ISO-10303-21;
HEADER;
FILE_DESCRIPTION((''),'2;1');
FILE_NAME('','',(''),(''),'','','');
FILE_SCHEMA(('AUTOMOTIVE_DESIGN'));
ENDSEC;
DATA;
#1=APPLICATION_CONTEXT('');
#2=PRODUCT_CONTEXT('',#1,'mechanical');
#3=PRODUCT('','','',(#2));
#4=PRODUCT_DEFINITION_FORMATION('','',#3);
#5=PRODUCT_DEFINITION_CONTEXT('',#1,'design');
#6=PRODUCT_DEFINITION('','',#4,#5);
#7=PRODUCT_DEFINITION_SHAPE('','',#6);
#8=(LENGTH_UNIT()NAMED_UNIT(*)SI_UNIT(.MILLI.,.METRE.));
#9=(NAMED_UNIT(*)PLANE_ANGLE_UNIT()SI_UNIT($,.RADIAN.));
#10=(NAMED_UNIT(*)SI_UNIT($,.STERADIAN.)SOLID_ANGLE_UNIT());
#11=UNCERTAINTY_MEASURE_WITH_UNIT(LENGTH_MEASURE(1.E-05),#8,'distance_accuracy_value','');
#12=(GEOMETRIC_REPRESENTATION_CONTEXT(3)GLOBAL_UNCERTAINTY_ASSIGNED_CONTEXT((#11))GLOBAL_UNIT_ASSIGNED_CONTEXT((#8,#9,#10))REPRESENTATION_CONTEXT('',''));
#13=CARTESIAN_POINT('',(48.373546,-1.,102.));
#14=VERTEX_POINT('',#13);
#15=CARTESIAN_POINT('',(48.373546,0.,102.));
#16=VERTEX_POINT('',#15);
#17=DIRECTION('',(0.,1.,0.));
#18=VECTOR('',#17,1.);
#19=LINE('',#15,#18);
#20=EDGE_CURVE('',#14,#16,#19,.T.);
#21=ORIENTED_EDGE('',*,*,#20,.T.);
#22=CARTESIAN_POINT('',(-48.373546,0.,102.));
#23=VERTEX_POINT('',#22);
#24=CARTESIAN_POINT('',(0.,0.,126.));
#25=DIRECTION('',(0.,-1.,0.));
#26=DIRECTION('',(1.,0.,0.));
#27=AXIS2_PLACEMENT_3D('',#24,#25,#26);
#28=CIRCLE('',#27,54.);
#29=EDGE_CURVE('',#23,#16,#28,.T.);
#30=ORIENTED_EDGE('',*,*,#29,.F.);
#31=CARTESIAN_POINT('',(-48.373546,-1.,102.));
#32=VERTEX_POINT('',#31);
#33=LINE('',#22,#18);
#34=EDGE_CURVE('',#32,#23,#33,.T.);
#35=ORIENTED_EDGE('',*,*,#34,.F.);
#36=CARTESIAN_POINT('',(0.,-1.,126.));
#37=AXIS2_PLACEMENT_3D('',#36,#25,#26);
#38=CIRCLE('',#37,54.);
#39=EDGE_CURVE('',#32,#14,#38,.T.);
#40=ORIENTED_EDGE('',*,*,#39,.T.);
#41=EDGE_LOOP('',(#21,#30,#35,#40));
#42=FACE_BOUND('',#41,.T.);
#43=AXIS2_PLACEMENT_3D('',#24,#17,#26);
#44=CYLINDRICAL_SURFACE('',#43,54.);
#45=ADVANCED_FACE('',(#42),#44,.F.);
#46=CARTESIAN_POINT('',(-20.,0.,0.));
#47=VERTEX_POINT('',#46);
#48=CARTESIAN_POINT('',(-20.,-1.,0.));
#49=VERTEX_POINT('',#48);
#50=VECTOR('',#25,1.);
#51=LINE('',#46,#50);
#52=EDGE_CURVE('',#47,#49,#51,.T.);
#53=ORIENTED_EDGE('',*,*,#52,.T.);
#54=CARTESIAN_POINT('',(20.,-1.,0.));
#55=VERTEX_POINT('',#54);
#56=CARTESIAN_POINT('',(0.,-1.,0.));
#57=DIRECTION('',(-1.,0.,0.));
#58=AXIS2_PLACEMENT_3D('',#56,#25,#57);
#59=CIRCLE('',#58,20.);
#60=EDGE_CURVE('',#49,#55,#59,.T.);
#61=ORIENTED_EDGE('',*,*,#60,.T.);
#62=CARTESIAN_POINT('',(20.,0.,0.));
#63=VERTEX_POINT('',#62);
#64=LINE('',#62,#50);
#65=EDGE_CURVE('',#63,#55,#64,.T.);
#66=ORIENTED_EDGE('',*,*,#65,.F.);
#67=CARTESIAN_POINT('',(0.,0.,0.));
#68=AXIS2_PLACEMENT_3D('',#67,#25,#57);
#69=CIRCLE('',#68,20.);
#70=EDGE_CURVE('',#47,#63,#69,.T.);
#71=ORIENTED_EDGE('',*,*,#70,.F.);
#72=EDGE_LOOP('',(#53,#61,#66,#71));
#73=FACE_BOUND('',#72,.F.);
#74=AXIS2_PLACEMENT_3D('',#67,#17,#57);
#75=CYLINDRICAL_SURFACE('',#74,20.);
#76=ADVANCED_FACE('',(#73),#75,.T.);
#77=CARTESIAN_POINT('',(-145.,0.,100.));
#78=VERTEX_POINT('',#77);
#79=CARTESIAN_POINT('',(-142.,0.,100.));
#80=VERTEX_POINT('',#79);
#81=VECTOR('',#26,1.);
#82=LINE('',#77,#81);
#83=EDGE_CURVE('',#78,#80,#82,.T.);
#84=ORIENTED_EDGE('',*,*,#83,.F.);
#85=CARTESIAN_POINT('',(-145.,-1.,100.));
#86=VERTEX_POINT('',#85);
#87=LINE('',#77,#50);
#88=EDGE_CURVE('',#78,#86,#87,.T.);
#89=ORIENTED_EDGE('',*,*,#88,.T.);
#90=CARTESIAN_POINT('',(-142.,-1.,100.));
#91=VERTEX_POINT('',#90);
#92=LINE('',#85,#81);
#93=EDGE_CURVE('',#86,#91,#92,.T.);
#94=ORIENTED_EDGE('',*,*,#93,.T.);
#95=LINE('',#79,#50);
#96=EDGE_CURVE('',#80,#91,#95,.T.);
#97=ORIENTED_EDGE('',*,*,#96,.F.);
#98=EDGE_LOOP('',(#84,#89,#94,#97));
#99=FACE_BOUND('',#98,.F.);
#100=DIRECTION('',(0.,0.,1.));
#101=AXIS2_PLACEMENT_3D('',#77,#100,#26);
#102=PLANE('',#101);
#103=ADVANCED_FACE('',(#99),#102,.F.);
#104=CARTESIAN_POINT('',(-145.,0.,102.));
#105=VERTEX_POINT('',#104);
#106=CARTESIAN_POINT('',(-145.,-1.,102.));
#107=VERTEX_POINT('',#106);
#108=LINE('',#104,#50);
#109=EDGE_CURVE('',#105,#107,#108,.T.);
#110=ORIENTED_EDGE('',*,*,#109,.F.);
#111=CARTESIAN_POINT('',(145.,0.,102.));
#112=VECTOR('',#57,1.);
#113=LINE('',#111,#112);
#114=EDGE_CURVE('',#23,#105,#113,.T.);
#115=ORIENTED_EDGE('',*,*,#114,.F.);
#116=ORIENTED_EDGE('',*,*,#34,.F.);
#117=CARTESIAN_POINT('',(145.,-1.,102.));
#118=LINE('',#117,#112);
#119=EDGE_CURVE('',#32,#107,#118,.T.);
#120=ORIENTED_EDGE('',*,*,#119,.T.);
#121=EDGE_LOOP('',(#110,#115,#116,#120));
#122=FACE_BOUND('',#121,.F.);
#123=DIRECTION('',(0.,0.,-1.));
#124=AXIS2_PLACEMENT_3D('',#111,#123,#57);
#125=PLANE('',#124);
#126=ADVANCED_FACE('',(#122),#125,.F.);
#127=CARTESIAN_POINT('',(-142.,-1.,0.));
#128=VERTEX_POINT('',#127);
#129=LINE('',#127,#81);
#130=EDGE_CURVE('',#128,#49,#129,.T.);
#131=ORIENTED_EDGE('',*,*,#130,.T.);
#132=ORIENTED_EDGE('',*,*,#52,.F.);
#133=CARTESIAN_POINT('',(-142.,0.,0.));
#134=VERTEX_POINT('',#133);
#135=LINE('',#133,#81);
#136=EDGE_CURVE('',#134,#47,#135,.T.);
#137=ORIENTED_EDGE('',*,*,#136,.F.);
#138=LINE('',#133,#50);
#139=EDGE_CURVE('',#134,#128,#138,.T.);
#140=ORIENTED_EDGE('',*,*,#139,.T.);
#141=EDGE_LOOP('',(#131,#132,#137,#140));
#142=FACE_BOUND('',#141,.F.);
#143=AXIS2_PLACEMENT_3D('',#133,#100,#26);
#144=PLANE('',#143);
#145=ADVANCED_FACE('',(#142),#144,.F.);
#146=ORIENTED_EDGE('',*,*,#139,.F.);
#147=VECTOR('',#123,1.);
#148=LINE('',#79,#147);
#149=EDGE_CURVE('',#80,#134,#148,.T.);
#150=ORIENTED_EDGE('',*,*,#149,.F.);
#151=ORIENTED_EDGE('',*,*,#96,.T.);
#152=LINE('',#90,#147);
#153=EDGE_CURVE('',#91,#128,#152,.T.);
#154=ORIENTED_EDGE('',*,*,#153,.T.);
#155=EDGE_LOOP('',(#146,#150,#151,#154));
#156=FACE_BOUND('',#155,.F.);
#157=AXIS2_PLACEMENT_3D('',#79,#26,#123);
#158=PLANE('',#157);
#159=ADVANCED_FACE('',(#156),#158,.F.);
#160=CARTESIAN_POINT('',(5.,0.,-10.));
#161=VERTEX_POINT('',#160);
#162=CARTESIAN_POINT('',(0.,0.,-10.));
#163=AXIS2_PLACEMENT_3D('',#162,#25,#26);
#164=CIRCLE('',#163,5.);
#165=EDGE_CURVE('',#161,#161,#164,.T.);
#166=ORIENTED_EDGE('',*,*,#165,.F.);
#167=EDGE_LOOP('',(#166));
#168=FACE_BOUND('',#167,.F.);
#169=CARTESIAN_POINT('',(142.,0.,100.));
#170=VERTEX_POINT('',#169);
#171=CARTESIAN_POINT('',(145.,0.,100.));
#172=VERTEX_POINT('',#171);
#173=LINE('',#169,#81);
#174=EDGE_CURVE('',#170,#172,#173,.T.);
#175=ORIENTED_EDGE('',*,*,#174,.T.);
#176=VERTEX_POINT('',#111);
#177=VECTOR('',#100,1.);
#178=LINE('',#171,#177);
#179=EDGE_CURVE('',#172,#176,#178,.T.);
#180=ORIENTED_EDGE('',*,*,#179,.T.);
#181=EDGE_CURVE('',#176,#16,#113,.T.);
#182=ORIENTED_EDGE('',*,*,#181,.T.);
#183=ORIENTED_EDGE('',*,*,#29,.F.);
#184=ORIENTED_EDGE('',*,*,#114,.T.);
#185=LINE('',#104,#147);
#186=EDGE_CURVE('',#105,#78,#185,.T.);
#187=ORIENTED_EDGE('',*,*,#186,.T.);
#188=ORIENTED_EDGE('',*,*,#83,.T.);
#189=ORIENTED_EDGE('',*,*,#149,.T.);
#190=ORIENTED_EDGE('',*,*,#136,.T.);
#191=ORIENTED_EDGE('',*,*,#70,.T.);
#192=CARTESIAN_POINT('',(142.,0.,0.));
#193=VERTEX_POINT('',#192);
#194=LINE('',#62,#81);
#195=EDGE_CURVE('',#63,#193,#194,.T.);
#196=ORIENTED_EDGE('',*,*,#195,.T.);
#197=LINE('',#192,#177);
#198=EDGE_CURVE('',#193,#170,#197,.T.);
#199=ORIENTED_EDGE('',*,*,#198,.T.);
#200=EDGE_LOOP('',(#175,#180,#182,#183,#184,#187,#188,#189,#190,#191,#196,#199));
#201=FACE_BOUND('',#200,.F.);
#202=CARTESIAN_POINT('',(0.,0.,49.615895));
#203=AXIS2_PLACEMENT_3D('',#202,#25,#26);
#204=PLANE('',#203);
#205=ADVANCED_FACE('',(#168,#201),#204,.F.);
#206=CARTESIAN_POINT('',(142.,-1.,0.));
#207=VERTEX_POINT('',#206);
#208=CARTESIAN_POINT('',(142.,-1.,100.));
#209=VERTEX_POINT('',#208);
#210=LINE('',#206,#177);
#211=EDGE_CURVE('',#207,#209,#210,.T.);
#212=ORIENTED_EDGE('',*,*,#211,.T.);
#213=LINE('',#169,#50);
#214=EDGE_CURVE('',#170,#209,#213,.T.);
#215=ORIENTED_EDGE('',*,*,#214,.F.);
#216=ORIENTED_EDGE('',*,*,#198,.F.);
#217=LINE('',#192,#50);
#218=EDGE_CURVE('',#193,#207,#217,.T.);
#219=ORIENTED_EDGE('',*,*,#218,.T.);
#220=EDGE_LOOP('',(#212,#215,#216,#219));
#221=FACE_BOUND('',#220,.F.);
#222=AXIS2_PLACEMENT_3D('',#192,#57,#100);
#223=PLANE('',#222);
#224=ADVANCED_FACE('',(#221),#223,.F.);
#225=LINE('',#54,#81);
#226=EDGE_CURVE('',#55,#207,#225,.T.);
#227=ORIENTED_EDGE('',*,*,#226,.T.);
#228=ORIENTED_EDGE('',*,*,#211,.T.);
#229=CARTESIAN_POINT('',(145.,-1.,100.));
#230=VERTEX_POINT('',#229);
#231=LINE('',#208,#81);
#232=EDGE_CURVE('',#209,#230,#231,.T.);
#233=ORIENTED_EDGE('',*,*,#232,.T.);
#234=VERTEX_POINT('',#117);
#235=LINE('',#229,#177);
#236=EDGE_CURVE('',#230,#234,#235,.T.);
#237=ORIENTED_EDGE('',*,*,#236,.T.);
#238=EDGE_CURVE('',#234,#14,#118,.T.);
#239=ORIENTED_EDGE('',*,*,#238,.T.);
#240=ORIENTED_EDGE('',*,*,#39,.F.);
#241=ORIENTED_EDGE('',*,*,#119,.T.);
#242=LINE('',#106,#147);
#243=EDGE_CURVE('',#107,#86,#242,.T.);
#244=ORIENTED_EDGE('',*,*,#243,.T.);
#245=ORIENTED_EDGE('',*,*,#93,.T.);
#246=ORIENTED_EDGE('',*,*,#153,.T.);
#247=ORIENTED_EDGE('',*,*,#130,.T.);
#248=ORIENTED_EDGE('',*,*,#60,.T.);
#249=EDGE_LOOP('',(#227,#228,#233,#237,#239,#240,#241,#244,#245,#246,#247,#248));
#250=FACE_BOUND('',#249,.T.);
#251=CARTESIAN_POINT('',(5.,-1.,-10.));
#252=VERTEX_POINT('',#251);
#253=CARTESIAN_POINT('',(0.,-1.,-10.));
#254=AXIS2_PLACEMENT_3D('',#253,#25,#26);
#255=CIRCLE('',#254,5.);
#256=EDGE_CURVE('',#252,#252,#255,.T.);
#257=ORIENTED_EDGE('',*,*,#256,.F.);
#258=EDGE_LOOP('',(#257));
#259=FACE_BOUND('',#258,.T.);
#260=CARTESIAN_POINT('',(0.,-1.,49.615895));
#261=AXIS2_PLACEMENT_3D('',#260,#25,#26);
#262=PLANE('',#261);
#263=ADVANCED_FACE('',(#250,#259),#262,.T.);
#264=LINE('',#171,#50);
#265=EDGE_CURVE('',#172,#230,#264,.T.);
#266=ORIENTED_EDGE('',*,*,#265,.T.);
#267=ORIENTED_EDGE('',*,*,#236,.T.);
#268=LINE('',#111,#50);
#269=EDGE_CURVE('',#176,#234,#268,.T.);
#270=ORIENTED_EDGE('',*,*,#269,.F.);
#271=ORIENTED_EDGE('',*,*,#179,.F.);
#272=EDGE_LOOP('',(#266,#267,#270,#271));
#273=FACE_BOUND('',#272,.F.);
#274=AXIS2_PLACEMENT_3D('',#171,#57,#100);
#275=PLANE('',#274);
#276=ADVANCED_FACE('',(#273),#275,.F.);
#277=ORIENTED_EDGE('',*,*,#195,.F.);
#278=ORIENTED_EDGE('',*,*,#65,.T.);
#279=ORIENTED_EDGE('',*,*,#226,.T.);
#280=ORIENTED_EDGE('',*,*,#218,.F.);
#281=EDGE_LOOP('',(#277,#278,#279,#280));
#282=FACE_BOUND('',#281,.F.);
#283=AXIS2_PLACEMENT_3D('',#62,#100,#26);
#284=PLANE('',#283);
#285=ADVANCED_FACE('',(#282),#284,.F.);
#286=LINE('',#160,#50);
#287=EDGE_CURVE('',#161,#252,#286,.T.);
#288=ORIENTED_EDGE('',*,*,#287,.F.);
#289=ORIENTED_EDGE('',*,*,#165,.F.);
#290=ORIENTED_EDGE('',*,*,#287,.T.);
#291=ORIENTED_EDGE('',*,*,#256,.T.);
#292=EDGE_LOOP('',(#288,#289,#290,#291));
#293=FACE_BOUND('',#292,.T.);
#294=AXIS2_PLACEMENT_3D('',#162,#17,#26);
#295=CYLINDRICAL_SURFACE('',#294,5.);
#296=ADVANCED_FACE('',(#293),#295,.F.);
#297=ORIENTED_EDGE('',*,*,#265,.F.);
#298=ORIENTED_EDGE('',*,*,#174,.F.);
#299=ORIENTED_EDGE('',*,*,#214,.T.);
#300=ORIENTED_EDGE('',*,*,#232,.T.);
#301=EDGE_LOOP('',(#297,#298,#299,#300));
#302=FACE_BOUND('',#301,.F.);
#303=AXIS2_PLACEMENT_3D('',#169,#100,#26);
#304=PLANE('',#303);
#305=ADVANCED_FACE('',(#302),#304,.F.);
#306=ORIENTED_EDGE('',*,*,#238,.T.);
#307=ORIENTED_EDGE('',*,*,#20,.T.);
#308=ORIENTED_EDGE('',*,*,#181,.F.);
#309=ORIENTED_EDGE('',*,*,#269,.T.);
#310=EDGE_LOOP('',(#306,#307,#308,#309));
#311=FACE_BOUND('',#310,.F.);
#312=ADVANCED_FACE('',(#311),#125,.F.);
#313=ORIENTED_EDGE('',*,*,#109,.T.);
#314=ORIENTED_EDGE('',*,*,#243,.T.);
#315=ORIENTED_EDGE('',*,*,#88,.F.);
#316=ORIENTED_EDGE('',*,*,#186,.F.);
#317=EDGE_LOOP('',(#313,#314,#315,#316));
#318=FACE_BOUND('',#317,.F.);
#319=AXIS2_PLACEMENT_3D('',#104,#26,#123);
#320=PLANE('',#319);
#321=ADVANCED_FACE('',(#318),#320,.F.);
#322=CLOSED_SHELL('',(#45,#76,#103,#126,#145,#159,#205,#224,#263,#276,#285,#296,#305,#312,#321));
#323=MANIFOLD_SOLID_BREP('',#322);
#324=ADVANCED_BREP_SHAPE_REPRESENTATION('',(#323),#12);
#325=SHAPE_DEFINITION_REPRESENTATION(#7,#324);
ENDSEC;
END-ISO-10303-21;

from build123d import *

# Parameters (mm, degrees)
F0_R     = 5
F1_DEPTH = 1
F2_R     = 54
F3_DEPTH = 1


with BuildPart() as f1:
    # F0 (on Front) → F1 (new body)
    with BuildSketch(Plane.XZ):
        with BuildLine():
            Line((145, 102), (-145, 102))
            Line((-145, 102), (-145, 100))
            Line((-145, 100), (-142, 100))
            Line((-142, 100), (-142, 0))
            Line((-142, 0), (-20, 0))
            ThreePointArc((-20, 0), (0, -20), (20, 0))
            Line((20, 0), (142, 0))
            Line((142, 0), (142, 100))
            Line((142, 100), (145, 100))
            Line((145, 100), (145, 102))
        make_face()
        with Locations((0, -10)):
            Circle(F0_R, mode=Mode.SUBTRACT)
    extrude(amount=F1_DEPTH)

    # F2 (on Front) → F3 (cut)
    with BuildSketch(Plane.XZ):
        with Locations((0, 126)):
            Circle(F2_R)
    extrude(amount=F3_DEPTH, mode=Mode.SUBTRACT)


solid = f1.part
